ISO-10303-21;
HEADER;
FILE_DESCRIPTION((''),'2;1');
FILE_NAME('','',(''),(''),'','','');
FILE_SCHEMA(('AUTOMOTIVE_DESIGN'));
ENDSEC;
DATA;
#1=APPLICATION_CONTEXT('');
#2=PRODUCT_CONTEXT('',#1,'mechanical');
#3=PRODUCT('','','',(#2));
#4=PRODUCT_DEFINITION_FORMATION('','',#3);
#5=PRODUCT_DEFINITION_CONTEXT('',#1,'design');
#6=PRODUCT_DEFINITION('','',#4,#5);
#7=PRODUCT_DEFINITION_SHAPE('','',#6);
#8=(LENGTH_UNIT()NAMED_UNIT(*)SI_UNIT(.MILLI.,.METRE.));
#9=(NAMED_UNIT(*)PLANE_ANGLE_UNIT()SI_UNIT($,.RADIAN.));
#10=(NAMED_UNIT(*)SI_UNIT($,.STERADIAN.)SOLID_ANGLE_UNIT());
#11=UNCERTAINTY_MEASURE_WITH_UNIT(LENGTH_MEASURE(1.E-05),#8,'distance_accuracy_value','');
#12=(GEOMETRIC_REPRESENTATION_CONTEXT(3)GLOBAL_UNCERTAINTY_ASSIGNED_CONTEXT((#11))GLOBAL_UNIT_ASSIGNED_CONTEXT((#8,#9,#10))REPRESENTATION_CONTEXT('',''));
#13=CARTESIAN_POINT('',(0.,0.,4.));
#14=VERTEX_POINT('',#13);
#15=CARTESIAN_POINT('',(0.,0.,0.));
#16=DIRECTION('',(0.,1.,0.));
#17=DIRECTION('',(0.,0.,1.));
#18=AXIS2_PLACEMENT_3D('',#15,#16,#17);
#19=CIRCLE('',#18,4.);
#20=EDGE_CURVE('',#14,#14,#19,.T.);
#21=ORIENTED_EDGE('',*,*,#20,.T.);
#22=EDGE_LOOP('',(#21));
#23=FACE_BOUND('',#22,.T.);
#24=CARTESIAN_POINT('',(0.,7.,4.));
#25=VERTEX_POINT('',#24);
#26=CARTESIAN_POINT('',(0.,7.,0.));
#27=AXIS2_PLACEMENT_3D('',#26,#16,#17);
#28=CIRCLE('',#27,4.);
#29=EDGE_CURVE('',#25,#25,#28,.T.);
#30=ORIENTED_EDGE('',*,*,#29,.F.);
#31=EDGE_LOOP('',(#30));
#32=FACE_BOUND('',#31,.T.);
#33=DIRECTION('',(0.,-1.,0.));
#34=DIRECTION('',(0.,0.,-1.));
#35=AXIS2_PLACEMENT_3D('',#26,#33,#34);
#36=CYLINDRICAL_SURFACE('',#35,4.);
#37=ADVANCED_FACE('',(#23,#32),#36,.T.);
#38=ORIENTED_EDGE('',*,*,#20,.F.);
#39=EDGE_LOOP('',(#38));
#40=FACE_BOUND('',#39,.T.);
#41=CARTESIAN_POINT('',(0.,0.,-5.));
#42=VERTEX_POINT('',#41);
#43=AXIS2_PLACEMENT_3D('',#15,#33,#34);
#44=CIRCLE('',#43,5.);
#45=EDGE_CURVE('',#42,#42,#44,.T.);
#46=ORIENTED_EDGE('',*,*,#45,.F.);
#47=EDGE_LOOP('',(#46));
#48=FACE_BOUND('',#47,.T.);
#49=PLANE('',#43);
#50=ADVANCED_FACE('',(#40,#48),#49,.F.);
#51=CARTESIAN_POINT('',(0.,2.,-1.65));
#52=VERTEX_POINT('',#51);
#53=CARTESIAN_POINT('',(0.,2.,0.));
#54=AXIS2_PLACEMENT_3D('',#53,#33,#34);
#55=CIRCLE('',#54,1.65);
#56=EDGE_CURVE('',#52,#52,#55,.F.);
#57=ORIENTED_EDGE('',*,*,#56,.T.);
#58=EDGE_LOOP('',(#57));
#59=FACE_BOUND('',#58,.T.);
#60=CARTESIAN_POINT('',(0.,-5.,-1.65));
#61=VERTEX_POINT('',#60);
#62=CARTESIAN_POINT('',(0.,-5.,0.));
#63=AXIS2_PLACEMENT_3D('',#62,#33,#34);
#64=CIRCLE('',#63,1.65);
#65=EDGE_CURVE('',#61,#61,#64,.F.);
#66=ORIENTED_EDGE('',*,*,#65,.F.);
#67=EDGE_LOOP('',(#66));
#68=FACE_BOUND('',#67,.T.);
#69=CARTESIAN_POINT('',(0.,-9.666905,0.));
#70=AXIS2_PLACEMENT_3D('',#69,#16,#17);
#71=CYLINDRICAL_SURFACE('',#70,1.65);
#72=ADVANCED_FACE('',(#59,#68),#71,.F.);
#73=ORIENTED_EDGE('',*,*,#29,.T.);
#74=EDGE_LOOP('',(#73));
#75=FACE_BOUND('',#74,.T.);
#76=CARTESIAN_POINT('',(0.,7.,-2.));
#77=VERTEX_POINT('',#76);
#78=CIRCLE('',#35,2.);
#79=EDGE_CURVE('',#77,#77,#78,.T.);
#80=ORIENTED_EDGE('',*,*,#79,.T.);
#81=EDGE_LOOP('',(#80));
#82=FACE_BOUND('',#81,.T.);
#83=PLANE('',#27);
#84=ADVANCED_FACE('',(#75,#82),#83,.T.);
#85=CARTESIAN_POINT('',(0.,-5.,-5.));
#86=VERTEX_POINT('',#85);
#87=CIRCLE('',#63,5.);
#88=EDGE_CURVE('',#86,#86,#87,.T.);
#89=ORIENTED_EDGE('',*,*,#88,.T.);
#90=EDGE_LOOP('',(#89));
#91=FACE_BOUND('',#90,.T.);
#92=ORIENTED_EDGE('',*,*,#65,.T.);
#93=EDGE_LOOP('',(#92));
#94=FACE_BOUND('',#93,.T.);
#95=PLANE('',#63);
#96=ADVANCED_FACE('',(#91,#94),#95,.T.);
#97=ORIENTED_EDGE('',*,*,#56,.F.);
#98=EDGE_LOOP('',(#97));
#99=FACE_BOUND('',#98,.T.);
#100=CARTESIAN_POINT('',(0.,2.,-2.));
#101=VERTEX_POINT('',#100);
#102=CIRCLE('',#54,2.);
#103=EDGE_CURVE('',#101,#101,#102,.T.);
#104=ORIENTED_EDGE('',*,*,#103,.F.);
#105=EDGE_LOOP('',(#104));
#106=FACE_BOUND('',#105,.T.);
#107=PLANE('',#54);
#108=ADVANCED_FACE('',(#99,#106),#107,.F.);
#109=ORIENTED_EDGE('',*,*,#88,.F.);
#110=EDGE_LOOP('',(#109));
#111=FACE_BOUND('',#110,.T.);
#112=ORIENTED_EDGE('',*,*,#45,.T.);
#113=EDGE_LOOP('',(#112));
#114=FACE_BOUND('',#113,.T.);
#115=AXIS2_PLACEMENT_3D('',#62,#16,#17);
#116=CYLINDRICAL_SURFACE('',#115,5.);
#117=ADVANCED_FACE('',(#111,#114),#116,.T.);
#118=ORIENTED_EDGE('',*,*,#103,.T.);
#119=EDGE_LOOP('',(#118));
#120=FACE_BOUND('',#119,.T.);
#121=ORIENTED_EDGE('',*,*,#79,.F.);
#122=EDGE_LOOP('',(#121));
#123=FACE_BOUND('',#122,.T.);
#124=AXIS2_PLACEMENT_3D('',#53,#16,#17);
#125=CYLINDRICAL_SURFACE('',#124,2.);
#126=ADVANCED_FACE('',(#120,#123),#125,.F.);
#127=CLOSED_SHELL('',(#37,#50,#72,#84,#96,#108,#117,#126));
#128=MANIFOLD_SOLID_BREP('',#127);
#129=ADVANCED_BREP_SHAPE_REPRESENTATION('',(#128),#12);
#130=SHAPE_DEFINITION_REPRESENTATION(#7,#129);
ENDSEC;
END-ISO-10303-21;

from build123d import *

# Parameters (mm, degrees)
SKETCH2_R           = 4
BOSS_EXTRUDE1_DEPTH = 7
SKETCH3_R           = 5
BOSS_EXTRUDE2_DEPTH = 5
SKETCH4_R           = 1.65
CUT_EXTRUDE1_DEPTH  = 12
SKETCH5_R           = 2
CUT_EXTRUDE2_DEPTH  = 5


with BuildPart() as part:
    # Sketch2 → Boss-Extrude1 (new body)
    with BuildSketch(Plane(origin=(0, 0, 0), x_dir=(1, 0, 0), z_dir=(0, 1, 0))):
        Circle(SKETCH2_R)
    extrude(amount=BOSS_EXTRUDE1_DEPTH)

    # Sketch3 → Boss-Extrude2 (add)
    with BuildSketch(Plane.XZ):
        Circle(SKETCH3_R)
    extrude(amount=BOSS_EXTRUDE2_DEPTH)

    # Sketch4 → Cut-Extrude1 (cut)
    with BuildSketch(Plane(origin=(0, 7, 0), x_dir=(1, 0, 0), z_dir=(0, 1, 0))):
        Circle(SKETCH4_R)
    extrude(amount=-CUT_EXTRUDE1_DEPTH, mode=Mode.SUBTRACT)

    # Sketch5 → Cut-Extrude2 (cut)
    with BuildSketch(Plane.XZ.offset(-7)):
        Circle(SKETCH5_R)
    extrude(amount=CUT_EXTRUDE2_DEPTH, mode=Mode.SUBTRACT)


solid = part.part
